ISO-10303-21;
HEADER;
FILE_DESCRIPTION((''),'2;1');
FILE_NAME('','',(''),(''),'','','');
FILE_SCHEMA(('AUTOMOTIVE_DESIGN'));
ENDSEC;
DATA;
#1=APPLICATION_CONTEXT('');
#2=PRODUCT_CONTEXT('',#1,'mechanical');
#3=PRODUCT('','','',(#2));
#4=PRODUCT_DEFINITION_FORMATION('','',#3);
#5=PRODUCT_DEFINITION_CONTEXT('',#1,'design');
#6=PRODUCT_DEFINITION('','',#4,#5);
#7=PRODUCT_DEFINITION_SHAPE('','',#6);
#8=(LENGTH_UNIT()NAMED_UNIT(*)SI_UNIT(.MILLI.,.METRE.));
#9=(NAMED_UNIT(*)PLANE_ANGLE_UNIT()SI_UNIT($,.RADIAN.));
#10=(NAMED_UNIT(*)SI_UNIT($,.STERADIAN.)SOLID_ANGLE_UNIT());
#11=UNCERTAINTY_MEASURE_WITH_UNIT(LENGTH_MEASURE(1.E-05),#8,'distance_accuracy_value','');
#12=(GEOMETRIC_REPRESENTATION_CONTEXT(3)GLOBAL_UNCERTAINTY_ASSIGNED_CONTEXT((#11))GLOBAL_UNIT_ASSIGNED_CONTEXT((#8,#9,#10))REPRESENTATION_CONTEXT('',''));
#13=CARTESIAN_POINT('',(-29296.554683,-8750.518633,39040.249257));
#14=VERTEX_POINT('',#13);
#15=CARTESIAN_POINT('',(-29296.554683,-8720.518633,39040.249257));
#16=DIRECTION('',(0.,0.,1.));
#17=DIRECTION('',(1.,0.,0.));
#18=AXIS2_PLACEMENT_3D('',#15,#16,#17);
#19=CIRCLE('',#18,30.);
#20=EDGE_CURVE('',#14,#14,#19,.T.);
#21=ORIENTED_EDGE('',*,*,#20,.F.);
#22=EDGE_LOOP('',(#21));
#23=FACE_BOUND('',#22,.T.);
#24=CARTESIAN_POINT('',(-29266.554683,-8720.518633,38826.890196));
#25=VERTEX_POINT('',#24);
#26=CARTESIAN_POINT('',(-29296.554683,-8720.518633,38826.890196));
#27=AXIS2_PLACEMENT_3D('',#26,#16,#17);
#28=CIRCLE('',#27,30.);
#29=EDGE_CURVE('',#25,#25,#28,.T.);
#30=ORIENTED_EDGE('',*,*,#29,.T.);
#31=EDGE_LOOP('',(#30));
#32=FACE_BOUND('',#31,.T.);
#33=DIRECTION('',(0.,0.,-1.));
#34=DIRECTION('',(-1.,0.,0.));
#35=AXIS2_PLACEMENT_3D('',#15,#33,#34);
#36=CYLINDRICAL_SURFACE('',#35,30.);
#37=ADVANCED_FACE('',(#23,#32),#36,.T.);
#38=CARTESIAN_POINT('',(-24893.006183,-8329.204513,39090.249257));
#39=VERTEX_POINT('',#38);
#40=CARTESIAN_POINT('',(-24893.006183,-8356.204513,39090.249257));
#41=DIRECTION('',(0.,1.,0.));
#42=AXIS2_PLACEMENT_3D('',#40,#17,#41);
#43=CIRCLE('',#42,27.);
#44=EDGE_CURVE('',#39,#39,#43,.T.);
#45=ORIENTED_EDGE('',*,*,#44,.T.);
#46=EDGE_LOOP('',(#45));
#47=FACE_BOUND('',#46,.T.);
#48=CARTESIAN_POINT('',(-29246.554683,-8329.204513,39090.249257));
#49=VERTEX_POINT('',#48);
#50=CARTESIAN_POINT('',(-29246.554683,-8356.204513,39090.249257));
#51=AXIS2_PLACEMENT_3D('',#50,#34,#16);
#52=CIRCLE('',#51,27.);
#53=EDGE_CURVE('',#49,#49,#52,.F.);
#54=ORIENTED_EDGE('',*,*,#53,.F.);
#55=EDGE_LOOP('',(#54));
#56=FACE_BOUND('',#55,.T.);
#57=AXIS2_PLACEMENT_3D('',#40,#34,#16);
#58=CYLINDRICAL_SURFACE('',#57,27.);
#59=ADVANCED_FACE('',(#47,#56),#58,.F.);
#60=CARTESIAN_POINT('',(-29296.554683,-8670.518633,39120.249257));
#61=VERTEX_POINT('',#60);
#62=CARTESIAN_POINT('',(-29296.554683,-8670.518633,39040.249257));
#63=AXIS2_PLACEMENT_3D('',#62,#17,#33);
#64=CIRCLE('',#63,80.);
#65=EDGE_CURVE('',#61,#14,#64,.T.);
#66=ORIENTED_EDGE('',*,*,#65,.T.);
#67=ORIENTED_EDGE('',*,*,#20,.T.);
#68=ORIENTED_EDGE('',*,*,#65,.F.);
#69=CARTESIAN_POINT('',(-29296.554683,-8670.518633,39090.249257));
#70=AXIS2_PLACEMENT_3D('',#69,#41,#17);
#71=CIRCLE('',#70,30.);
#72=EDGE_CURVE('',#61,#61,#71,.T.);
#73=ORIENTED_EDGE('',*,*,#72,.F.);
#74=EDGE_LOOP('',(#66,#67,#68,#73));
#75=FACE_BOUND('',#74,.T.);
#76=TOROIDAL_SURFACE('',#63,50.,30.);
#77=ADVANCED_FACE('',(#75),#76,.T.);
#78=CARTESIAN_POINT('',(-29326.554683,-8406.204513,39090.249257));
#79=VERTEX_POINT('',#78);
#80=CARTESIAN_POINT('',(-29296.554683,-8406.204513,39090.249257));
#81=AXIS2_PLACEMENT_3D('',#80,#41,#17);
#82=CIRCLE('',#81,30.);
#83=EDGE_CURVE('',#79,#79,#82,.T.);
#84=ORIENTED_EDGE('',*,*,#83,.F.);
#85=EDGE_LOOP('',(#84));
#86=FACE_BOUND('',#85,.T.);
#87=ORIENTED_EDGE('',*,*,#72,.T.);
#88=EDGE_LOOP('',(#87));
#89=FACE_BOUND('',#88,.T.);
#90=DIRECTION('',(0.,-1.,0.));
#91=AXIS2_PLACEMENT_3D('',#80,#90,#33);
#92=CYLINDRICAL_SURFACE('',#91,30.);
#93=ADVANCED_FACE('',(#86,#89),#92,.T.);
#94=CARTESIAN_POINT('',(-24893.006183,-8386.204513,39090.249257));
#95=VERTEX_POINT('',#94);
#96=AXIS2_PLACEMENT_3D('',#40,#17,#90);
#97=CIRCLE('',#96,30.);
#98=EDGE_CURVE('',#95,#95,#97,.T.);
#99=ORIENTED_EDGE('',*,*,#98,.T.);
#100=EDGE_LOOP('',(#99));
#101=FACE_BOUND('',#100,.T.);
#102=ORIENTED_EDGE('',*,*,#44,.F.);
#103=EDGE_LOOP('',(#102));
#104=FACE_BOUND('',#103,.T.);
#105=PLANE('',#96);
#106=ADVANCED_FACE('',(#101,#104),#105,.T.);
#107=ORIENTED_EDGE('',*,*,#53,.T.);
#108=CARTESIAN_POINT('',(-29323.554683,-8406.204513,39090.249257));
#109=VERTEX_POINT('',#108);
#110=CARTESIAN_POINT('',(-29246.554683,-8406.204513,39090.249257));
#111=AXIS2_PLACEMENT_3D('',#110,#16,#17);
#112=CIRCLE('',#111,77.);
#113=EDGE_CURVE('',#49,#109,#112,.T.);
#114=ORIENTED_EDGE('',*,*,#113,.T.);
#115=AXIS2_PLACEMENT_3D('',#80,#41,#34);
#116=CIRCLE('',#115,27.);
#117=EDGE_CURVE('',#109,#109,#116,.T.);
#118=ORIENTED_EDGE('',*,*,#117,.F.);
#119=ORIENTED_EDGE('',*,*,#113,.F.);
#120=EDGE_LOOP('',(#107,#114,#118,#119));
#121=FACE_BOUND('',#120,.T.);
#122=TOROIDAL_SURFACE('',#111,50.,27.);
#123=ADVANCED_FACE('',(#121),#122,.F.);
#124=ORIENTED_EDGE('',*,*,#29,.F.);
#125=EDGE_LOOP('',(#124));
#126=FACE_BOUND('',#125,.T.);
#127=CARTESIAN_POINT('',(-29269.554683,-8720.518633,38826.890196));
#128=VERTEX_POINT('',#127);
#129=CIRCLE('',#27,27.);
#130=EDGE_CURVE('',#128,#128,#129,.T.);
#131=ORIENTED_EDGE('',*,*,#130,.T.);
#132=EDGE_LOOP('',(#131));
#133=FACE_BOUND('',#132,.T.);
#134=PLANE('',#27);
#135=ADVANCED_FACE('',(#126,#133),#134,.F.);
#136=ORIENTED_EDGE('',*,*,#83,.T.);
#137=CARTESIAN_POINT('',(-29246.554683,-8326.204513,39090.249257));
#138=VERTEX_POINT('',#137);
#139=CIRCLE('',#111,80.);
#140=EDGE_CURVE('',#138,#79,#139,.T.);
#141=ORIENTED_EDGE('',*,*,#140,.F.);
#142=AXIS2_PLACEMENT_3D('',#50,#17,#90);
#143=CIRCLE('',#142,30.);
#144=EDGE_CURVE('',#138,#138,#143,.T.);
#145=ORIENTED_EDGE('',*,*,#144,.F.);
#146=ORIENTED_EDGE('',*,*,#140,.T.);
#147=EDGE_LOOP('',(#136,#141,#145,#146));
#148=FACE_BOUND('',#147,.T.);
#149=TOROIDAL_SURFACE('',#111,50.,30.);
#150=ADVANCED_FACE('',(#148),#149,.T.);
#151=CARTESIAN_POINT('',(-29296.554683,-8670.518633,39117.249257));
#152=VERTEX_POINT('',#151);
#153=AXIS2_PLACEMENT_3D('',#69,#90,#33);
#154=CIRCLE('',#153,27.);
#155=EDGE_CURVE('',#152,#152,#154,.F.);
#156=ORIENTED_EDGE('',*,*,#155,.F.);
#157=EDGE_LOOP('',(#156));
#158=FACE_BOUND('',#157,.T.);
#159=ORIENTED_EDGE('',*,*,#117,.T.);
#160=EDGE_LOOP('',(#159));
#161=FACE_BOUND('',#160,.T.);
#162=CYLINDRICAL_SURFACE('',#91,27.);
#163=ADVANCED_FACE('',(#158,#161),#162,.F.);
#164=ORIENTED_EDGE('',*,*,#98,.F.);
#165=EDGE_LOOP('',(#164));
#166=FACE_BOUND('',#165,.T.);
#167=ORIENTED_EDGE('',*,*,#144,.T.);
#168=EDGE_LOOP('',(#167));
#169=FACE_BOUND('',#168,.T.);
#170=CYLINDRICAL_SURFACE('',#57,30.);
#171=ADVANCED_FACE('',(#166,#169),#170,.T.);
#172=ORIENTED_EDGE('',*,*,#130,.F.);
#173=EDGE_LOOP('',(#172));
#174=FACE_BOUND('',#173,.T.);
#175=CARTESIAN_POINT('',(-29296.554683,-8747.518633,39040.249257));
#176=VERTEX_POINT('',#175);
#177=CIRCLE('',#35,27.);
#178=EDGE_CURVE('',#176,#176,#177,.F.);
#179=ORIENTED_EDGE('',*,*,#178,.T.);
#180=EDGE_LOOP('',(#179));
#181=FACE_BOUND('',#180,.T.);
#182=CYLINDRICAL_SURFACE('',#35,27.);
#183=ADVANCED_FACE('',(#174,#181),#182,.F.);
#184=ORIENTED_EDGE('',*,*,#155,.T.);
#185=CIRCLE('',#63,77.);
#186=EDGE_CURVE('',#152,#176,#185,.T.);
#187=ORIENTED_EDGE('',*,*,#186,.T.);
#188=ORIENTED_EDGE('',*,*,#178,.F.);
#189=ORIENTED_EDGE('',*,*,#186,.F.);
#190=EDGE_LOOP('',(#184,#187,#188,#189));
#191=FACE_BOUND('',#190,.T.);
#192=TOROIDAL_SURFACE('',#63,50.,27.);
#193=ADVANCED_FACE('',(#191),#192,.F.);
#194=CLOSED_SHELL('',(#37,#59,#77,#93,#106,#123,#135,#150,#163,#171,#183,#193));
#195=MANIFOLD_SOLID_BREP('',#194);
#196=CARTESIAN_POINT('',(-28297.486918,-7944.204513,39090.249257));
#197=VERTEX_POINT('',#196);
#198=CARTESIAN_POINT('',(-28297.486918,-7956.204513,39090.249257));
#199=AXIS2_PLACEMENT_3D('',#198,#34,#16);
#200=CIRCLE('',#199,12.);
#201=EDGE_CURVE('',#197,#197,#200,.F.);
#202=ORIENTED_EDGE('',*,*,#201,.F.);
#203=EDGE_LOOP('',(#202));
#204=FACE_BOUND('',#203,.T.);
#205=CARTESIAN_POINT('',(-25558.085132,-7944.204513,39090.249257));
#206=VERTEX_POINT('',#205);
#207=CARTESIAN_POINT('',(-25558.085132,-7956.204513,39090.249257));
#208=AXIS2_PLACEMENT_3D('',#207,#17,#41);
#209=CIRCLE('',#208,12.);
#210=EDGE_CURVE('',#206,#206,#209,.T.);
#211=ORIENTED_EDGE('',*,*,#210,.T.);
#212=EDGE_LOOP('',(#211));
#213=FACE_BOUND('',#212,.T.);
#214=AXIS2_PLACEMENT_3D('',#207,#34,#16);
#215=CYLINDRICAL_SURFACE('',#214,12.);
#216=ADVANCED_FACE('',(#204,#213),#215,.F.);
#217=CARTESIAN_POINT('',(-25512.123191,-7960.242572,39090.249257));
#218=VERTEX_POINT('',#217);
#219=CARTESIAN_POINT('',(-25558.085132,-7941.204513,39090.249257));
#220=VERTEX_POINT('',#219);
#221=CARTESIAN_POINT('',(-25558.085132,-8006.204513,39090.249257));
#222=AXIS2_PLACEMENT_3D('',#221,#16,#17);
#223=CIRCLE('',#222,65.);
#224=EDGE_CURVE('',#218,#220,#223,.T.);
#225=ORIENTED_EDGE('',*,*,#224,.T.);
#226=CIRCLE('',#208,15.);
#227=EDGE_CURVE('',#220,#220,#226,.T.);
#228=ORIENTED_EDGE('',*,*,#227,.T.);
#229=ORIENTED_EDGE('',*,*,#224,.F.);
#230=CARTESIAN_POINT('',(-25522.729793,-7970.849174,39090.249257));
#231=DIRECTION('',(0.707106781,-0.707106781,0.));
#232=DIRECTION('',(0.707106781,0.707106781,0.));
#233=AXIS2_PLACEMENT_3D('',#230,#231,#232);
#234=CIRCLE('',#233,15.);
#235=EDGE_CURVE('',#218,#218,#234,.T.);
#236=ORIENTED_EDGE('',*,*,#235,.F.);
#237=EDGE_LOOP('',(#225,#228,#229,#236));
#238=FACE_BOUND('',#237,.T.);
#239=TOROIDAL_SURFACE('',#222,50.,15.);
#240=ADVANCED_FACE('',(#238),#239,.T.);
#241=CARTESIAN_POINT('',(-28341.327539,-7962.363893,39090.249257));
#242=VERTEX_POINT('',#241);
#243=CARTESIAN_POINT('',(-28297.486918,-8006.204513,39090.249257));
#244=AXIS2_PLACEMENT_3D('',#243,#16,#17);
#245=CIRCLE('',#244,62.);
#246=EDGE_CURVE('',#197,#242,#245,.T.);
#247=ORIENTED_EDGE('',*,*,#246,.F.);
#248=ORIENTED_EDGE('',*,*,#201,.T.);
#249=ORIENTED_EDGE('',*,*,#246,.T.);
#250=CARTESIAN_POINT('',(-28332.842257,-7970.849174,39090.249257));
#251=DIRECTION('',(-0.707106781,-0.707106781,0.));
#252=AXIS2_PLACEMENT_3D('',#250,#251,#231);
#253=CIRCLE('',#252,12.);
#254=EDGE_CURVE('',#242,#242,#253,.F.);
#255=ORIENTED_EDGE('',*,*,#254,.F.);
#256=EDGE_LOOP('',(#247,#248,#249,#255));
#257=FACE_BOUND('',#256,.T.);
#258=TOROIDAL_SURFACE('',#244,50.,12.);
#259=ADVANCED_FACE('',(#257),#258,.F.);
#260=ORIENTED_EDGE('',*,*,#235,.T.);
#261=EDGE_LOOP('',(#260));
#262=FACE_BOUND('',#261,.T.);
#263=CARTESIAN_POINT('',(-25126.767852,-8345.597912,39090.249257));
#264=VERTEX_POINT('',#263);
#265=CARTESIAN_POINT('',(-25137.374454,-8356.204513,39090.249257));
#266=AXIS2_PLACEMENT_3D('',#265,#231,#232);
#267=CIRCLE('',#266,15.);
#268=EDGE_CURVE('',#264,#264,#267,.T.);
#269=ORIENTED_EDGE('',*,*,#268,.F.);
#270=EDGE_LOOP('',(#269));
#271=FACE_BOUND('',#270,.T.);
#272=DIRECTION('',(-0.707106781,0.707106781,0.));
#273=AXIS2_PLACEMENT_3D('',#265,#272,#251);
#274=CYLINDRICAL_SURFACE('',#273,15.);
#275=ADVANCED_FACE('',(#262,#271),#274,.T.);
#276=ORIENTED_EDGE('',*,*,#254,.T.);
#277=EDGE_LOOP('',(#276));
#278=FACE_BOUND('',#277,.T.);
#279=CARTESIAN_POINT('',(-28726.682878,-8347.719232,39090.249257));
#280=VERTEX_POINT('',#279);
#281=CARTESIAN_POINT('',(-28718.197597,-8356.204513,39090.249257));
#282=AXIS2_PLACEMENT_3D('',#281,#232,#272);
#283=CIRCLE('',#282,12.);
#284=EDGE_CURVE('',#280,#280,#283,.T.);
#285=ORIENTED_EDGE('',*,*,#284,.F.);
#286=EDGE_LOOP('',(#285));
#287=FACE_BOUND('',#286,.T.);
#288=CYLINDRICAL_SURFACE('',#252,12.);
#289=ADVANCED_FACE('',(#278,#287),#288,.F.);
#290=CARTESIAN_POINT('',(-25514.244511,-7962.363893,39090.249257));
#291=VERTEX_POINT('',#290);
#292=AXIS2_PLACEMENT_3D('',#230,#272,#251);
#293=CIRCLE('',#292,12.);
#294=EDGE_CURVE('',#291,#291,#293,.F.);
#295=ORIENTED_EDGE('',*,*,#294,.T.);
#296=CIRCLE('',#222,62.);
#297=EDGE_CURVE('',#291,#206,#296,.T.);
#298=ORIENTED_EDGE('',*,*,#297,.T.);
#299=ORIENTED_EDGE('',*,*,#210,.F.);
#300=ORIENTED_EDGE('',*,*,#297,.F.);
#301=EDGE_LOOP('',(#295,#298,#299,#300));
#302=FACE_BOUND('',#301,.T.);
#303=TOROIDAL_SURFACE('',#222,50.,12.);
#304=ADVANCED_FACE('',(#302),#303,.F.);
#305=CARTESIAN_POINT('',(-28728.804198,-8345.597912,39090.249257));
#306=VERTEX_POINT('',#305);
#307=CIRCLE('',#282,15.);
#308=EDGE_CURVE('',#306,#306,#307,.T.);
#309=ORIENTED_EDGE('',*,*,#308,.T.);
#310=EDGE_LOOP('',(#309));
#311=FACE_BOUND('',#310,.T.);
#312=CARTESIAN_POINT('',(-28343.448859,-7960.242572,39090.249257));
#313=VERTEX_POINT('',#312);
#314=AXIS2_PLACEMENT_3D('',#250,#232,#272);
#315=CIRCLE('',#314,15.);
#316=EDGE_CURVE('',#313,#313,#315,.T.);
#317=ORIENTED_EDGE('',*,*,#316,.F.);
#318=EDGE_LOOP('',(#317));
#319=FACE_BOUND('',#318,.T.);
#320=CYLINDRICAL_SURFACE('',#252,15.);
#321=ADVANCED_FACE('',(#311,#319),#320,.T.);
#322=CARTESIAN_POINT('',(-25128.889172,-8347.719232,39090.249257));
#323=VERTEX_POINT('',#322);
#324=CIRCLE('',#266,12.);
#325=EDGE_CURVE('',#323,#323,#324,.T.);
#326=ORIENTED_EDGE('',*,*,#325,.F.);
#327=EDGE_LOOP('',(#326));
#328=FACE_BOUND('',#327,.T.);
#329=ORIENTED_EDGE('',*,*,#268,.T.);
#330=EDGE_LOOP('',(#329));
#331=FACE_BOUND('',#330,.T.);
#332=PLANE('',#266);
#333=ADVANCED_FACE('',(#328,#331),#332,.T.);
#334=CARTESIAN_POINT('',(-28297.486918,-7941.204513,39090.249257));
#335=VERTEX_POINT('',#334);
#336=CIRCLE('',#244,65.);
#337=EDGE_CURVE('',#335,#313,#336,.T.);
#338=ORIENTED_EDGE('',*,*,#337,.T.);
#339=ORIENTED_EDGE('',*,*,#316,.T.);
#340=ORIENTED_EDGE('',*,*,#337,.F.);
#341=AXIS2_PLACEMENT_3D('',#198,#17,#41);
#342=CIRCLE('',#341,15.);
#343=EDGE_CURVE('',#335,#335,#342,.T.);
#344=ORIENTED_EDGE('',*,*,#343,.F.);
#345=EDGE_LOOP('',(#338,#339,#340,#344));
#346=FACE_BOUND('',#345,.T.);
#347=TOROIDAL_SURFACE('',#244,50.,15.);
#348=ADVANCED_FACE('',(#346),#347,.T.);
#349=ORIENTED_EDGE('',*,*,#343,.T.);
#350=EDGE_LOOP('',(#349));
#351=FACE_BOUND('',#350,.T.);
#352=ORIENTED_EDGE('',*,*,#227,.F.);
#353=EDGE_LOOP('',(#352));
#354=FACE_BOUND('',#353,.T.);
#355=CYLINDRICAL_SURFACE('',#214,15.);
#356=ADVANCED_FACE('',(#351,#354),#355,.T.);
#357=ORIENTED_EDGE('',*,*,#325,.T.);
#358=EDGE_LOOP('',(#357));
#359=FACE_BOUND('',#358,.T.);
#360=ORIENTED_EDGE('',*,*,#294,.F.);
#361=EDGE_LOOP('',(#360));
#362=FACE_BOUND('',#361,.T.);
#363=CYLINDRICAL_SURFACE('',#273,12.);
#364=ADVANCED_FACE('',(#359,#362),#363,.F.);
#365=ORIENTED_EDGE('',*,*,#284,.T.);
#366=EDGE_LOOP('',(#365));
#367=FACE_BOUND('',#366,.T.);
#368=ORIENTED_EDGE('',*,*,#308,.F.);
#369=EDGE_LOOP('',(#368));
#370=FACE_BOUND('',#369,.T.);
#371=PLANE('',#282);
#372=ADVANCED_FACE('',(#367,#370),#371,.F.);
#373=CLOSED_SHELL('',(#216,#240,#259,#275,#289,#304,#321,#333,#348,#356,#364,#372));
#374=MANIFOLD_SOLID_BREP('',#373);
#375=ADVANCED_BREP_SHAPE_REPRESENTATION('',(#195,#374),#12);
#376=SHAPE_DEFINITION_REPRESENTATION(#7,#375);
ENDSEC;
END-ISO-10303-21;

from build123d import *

# Parameters (mm, degrees)
SWEEP_THIN1_PROFILE_R   = 30
SWEEP_THIN1_PROFILE_R_2 = 27
SWEEP_THIN2_PROFILE_R   = 15
SWEEP_THIN2_PROFILE_R_2 = 12


with BuildPart() as part:
    # Sweep-Thin1: sweep along a curve in space
    with BuildLine() as sweep_thin1_path:
        Line((-24893.006183482, -8356.204513264, 39090.249256715), (-29246.554683292, -8356.204513264, 39090.249256715))
        ThreePointArc((-29296.554683292, -8406.204513264, 39090.249256715), (-29281.910022351, -8370.849174205, 39090.249256715), (-29246.554683292, -8356.204513264, 39090.249256715))
        Line((-29296.554683292, -8406.204513264, 39090.249256715), (-29296.554683292, -8670.518633414, 39090.249256715))
        ThreePointArc((-29296.554683292, -8720.518633414, 39040.249256715), (-29296.554683292, -8705.873972473, 39075.604595774), (-29296.554683292, -8670.518633414, 39090.249256715))
        Line((-29296.554683292, -8720.518633414, 39040.249256715), (-29296.554683292, -8720.518633414, 38826.890196057))
    # Sweep-Thin1 profile (on start of the path) → Sweep-Thin1 (sweep)
    with BuildSketch(Plane(origin=(-24893.006183482, -8356.204513264, 39090.249256715), x_dir=(0, 0, -1), z_dir=(-1, 0, 0))):
        Circle(SWEEP_THIN1_PROFILE_R)
        Circle(SWEEP_THIN1_PROFILE_R_2, mode=Mode.SUBTRACT)
    sweep(path=sweep_thin1_path.line)


with BuildPart() as body_2:
    # Sweep-Thin2: sweep along a curve in space
    with BuildLine() as sweep_thin2_path:
        Line((-25137.374453509, -8356.204513264, 39090.249256715), (-25522.729792568, -7970.849174205, 39090.249256715))
        ThreePointArc((-25558.085131628, -7956.204513264, 39090.249256715), (-25538.950960009, -7960.010536639, 39090.249256715), (-25522.729792568, -7970.849174205, 39090.249256715))
        Line((-25558.085131628, -7956.204513264, 39090.249256715), (-28297.486918384, -7956.204513264, 39090.249256715))
        ThreePointArc((-28297.486918384, -7956.204513264, 39090.249256715), (-28316.621090003, -7960.010536639, 39090.249256715), (-28332.842257444, -7970.849174205, 39090.249256715))
        Line((-28332.842257444, -7970.849174205, 39090.249256715), (-28718.197596503, -8356.204513264, 39090.249256715))
    # Sweep-Thin2 profile (on start of the path) → Sweep-Thin2 (sweep)
    with BuildSketch(Plane(origin=(-25137.374453509, -8356.204513264, 39090.249256715), x_dir=(0.7071067811865501, 0.707106781186545, 0), z_dir=(-0.707106781186545, 0.7071067811865501, 0))):
        Circle(SWEEP_THIN2_PROFILE_R)
        Circle(SWEEP_THIN2_PROFILE_R_2, mode=Mode.SUBTRACT)
    sweep(path=sweep_thin2_path.line)


solid = Compound([part.part, body_2.part])
